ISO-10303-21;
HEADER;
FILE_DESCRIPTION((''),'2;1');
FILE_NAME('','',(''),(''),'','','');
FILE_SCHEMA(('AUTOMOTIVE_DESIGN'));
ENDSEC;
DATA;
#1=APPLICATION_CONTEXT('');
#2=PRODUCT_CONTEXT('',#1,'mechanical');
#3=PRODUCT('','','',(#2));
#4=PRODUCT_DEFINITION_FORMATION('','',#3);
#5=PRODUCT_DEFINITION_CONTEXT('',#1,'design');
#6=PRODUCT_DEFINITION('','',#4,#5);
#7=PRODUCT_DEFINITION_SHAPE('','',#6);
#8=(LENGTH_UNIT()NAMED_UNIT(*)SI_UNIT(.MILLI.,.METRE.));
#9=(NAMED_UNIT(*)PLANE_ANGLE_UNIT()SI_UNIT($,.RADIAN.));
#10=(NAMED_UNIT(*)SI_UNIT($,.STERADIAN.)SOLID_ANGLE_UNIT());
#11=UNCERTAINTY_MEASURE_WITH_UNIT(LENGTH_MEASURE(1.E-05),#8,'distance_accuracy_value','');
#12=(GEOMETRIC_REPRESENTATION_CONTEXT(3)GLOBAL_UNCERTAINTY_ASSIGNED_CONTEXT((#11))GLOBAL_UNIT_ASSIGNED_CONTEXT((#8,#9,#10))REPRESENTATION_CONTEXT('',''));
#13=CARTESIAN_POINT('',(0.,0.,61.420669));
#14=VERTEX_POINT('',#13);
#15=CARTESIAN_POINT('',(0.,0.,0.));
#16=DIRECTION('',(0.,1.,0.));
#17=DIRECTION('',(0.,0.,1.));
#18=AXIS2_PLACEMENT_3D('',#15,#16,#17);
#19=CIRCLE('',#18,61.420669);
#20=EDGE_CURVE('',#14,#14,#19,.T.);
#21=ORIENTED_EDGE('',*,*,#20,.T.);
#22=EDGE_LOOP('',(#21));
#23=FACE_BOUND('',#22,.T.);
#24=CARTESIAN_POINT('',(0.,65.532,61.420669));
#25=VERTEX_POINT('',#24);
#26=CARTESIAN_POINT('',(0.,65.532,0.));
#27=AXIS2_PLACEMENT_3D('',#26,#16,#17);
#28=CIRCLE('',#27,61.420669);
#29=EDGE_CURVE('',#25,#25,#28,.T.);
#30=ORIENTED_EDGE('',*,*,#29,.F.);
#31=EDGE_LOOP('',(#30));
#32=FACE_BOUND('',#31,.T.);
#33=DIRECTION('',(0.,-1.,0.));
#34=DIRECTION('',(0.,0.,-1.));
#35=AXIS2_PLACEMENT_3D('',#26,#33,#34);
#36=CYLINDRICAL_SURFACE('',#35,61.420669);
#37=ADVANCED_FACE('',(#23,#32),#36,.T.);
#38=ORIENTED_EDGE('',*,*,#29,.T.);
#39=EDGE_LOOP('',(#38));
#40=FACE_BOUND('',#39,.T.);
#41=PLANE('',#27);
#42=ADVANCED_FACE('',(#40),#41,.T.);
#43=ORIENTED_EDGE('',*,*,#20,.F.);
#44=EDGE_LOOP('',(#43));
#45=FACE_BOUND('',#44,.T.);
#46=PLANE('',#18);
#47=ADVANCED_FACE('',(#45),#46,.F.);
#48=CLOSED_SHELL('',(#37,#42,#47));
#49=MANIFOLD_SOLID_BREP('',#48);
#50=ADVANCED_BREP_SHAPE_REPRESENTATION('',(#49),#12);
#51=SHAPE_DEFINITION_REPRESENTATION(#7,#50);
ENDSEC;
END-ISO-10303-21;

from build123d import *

# Parameters (mm, degrees)
SKETCH1_R           = 61.420668838
BOSS_EXTRUDE1_DEPTH = 65.532


with BuildPart() as part:
    # Sketch1 → Boss-Extrude1 (new body)
    with BuildSketch(Plane(origin=(0, 0, 0), x_dir=(1, 0, 0), z_dir=(0, 1, 0))):
        with Locations(Location((0, 0, 0), (0, 0, 270))):
            Circle(SKETCH1_R)
    extrude(amount=BOSS_EXTRUDE1_DEPTH)


solid = part.part
